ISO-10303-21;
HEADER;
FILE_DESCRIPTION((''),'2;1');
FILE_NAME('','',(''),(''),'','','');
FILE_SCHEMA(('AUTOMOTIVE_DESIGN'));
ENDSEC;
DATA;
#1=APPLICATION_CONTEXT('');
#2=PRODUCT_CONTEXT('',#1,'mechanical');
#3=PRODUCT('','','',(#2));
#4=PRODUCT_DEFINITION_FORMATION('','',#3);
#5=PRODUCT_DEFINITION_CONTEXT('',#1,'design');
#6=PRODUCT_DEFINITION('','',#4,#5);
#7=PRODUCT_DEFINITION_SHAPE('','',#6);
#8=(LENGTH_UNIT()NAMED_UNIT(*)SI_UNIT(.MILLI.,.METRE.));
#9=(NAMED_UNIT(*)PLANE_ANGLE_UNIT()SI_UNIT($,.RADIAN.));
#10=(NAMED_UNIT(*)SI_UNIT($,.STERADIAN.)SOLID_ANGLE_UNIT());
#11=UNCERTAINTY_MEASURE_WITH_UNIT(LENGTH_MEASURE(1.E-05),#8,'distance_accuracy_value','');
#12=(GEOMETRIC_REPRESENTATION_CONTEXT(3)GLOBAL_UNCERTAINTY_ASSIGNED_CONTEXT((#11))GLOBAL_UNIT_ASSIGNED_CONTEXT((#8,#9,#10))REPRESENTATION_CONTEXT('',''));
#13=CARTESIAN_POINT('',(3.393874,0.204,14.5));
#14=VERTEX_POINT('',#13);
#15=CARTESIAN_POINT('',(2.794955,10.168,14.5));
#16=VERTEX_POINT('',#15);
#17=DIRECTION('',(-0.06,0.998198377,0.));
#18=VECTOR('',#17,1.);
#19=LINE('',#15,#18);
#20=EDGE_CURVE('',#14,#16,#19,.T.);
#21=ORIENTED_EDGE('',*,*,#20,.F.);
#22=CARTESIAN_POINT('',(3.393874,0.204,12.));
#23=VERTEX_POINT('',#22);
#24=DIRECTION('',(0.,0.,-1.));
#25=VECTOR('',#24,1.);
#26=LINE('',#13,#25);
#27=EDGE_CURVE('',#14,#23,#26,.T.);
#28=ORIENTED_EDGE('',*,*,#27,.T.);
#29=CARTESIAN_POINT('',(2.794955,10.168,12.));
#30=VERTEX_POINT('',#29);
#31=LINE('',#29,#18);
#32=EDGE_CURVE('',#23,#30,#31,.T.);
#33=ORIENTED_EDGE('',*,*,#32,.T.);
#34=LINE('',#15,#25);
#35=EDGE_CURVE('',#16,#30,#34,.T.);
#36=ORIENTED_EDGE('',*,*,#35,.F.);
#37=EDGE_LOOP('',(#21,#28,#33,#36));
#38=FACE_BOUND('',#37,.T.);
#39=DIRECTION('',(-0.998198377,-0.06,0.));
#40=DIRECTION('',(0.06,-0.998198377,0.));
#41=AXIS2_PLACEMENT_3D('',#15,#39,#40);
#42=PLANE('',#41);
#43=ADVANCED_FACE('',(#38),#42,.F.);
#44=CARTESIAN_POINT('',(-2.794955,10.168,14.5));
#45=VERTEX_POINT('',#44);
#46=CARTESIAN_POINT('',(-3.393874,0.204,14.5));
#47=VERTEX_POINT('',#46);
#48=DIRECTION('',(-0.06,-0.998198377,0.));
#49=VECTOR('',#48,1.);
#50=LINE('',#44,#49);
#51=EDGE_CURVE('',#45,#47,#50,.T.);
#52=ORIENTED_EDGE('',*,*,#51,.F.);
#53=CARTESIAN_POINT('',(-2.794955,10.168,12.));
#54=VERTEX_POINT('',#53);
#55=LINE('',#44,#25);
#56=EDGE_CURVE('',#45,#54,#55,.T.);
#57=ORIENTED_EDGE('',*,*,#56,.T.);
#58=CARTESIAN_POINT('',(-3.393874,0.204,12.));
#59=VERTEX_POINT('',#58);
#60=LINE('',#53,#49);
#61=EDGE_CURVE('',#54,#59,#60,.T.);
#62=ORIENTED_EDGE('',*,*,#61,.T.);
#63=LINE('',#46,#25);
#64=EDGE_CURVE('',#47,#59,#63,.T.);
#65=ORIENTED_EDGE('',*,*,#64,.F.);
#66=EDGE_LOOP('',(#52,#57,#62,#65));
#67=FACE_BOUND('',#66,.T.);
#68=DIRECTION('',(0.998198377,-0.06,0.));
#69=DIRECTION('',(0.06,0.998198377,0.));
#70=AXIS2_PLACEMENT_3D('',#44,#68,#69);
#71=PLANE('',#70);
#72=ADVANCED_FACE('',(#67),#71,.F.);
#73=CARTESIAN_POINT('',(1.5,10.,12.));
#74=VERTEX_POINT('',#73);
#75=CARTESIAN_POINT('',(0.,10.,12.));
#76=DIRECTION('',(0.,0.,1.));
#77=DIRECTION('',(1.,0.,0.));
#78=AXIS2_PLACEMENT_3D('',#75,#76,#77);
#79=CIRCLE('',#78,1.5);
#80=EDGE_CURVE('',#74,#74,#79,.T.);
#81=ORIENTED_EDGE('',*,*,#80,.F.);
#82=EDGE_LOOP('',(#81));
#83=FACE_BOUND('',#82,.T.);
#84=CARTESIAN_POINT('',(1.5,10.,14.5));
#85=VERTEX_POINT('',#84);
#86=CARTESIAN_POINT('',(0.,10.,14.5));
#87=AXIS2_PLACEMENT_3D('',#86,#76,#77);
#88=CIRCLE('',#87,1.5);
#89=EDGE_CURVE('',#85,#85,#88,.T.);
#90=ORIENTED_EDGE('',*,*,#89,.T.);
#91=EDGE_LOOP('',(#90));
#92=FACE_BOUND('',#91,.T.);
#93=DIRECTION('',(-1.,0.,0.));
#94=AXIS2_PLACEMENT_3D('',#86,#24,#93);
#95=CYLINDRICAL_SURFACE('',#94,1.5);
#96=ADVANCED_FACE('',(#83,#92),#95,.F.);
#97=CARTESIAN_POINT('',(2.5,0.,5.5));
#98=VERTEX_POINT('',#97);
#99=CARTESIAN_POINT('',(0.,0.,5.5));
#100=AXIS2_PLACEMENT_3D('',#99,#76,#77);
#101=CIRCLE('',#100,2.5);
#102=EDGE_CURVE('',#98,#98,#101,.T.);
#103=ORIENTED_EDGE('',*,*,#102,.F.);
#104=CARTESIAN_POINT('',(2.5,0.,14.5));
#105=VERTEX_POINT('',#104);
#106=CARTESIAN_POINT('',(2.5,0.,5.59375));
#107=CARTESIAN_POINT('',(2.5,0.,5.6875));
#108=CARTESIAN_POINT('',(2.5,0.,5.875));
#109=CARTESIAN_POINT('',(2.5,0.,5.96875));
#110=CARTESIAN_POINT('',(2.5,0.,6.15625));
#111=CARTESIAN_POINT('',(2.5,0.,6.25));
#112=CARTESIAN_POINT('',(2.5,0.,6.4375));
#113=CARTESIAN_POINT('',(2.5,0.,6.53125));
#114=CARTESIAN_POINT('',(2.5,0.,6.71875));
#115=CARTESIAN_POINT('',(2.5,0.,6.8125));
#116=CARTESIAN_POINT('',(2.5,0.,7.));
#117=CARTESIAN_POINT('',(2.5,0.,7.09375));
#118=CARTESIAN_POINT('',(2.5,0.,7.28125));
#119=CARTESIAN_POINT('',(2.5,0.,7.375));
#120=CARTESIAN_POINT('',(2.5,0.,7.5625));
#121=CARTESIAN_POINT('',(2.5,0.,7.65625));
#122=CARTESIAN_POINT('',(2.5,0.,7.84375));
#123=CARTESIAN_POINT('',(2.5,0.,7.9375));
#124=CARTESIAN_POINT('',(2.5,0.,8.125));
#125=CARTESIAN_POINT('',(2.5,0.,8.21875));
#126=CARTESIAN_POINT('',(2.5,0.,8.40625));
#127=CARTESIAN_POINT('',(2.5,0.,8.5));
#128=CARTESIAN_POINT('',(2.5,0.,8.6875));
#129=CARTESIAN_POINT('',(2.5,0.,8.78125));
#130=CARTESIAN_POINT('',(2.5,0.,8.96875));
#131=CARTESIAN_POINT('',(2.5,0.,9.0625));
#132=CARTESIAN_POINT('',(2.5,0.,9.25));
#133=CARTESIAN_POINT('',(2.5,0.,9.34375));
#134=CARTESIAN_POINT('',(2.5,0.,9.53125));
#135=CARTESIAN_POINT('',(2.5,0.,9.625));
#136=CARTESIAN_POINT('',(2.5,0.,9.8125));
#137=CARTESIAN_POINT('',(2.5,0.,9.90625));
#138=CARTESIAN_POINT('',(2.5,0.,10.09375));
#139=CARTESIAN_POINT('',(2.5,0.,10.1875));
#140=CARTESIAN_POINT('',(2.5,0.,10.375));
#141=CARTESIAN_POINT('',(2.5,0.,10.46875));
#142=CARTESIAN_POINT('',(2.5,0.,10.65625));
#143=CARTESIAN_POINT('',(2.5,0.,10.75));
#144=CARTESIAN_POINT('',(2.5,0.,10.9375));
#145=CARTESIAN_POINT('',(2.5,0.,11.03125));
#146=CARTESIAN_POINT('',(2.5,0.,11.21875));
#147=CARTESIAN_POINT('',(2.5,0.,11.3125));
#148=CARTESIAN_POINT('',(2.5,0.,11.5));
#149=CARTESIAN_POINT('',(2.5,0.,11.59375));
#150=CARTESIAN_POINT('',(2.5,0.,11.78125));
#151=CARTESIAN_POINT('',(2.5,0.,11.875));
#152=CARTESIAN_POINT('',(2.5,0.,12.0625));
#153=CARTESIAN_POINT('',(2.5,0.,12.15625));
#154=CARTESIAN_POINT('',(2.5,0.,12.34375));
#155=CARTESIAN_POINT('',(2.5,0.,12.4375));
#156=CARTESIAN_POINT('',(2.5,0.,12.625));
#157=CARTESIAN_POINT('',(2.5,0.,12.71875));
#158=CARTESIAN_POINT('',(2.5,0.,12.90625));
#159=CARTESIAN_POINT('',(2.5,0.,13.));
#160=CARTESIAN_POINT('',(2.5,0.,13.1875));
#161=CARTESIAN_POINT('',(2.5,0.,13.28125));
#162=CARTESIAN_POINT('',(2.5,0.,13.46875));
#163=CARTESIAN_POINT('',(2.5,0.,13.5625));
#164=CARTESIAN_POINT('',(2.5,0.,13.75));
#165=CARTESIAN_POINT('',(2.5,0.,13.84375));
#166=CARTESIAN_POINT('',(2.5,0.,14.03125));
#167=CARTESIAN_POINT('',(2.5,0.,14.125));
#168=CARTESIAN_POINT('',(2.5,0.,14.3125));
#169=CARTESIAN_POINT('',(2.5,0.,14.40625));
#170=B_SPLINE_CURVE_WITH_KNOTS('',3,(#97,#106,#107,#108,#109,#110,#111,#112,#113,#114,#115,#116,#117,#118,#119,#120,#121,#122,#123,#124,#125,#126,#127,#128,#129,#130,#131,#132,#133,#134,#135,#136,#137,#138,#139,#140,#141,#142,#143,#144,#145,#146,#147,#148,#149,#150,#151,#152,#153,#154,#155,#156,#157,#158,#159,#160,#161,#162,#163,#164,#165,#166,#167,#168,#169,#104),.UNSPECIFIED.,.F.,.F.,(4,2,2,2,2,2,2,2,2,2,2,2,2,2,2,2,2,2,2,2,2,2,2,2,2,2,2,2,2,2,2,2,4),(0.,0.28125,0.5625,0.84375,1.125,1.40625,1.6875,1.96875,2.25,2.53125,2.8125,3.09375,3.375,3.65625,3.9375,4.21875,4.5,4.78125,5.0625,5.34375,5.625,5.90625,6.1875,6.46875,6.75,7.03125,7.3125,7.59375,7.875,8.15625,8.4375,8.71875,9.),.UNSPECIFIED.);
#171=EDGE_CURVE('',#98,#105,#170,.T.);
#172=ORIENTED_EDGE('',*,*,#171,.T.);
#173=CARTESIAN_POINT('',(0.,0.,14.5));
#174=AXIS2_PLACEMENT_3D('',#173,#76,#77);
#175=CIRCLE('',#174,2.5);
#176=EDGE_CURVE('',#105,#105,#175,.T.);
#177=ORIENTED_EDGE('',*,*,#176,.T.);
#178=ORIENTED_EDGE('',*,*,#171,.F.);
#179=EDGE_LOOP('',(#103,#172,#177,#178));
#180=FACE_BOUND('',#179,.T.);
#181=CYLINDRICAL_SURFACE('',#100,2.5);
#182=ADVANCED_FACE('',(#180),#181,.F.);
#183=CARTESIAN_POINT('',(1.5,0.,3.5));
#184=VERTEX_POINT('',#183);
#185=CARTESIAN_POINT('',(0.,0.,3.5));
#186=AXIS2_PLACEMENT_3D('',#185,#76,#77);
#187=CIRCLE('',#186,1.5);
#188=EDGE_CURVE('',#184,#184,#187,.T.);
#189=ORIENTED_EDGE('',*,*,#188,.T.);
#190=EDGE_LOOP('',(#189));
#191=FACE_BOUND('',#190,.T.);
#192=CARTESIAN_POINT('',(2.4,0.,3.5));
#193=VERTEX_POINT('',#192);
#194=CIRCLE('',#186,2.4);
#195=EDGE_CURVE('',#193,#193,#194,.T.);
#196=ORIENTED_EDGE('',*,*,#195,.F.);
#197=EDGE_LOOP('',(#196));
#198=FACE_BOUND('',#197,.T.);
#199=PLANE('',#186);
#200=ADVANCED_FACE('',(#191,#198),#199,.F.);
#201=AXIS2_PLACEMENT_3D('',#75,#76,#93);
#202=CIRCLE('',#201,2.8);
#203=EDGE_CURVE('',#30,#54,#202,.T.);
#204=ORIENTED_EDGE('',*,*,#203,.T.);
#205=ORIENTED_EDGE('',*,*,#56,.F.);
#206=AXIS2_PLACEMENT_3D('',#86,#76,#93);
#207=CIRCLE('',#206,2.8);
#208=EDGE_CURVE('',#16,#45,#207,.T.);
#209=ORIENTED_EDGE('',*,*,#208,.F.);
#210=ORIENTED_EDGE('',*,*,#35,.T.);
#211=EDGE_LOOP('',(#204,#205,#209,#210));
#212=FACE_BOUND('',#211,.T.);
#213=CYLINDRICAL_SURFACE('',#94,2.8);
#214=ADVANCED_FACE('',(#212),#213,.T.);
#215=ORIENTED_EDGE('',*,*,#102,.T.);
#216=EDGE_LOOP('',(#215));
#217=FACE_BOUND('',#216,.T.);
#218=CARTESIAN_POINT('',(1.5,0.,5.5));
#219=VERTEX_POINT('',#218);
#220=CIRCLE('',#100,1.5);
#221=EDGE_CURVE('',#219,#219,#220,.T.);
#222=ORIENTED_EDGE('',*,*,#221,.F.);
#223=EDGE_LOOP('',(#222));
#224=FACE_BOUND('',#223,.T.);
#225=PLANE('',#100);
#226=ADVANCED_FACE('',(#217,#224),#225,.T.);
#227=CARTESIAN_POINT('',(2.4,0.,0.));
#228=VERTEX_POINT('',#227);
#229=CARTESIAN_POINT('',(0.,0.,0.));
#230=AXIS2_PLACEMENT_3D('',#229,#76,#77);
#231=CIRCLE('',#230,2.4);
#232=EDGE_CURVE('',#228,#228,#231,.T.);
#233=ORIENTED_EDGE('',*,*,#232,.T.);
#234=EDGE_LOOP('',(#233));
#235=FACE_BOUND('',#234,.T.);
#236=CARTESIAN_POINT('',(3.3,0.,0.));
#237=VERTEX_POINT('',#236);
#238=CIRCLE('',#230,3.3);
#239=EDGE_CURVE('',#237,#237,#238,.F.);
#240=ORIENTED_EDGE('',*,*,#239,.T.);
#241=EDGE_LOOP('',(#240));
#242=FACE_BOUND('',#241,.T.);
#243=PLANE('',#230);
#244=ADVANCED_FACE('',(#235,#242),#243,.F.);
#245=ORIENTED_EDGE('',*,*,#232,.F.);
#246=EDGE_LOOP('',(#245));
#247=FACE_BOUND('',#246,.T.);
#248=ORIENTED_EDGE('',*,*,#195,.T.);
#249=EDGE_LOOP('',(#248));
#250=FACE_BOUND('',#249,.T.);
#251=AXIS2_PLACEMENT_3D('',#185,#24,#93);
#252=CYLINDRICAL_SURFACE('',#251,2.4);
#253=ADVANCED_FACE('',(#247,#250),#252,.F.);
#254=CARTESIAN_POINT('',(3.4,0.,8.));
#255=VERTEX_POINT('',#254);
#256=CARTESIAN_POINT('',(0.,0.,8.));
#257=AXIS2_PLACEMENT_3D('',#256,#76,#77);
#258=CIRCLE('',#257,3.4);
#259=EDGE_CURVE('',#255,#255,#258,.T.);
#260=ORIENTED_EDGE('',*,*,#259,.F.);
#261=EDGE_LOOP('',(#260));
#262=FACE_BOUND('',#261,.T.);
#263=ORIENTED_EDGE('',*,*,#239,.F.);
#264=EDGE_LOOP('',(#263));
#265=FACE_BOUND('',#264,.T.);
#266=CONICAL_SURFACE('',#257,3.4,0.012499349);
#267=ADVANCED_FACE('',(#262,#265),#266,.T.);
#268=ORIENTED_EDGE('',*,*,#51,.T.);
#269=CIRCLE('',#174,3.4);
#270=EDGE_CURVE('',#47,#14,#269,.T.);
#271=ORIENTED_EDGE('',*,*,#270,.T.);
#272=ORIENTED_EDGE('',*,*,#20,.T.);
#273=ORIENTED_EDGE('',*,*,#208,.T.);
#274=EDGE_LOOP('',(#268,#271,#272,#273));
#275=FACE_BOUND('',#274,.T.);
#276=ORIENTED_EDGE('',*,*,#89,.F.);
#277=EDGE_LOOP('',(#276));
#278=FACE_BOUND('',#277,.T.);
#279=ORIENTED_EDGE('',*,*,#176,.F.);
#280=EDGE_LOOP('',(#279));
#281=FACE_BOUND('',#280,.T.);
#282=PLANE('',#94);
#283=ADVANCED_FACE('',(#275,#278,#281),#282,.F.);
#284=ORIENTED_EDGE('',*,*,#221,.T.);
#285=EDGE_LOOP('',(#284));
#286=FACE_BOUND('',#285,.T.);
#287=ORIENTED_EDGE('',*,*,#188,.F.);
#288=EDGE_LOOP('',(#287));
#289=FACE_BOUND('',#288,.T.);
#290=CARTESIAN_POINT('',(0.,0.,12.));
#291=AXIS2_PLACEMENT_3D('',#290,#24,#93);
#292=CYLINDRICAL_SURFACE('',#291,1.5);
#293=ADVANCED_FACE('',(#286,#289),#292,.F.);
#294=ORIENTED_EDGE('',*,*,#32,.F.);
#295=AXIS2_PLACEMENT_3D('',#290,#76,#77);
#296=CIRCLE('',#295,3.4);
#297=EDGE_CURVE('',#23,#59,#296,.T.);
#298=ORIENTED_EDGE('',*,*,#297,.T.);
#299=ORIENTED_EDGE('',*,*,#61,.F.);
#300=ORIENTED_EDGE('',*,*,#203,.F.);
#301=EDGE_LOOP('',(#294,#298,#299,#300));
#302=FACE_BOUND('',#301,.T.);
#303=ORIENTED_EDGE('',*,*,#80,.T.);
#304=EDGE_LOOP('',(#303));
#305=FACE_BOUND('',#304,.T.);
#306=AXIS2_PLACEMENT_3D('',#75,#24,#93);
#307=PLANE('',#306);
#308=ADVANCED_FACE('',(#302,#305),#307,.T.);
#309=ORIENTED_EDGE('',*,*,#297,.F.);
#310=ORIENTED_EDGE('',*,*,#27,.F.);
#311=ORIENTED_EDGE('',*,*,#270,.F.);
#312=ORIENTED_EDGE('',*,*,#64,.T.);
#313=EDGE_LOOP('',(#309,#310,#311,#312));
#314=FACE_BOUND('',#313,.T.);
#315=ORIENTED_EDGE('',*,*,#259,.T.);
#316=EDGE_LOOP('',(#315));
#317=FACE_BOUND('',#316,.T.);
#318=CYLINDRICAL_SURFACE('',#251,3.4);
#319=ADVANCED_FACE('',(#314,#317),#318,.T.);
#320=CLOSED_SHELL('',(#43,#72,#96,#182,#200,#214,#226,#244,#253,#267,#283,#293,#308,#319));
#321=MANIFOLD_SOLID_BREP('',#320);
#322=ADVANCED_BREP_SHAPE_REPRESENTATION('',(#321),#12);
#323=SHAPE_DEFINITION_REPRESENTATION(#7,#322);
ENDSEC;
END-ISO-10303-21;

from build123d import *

# Parameters (mm, degrees)
SKETCH1_R           = 3.4
SKETCH1_R_2         = 2.4
BOSS_EXTRUDE1_DEPTH = 3.5
SKETCH2_R           = 3.4
SKETCH2_R_2         = 1.5
BOSS_EXTRUDE2_DEPTH = 8.5
CUT_EXTRUDE1_START  = -6.5
SKETCH3_R           = 2.5
SKETCH3_R_2         = 1.5
CUT_EXTRUDE1_DEPTH  = 6.5
SKETCH4_R           = 1.5
SKETCH4_R_2         = 2.5
BOSS_EXTRUDE3_DEPTH = 2.5
CHAMFER_1_SIZE      = 0.1
CHAMFER_1_SIZE2     = 8


with BuildPart() as part:
    # Sketch1 → Boss-Extrude1 (new body)
    with BuildSketch(Plane.XY):
        Circle(SKETCH1_R)
        Circle(SKETCH1_R_2, mode=Mode.SUBTRACT)
    extrude(amount=BOSS_EXTRUDE1_DEPTH)

    # Sketch2 → Boss-Extrude2 (add)
    with BuildSketch(Plane.XY.offset(3.5)):
        Circle(SKETCH2_R)
        Circle(SKETCH2_R_2, mode=Mode.SUBTRACT)
    extrude(amount=BOSS_EXTRUDE2_DEPTH)

    # Sketch3 → Cut-Extrude1 (cut)
    with BuildSketch(Plane.XY.offset(12).offset(CUT_EXTRUDE1_START)):
        Circle(SKETCH3_R)
        Circle(SKETCH3_R_2, mode=Mode.SUBTRACT)
    extrude(amount=CUT_EXTRUDE1_DEPTH, mode=Mode.SUBTRACT)

    # Sketch4 → Boss-Extrude3 (add)
    with BuildSketch(Plane.XY.offset(12)):
        with BuildLine():
            Line((-2.794955456, 10.168), (-3.393874482, 0.204))
            ThreePointArc((-3.393874482, 0.204), (0, -3.4), (3.393874482, 0.204))
            Line((3.393874482, 0.204), (2.794955456, 10.168))
            ThreePointArc((2.794955456, 10.168), (0, 12.8), (-2.794955456, 10.168))
        make_face()
        with Locations((0, 10)):
            Circle(SKETCH4_R, mode=Mode.SUBTRACT)
        Circle(SKETCH4_R_2, mode=Mode.SUBTRACT)
    extrude(amount=BOSS_EXTRUDE3_DEPTH)

    # 倒角1
    chamfer_1_edges = [part.edges().sort_by_distance(p)[0] for p in [
        (-3.4, 0, 0),
    ]]
    chamfer_1_side = [part.faces().sort_by_distance(p)[0] for p in [
        (-3.303833478, 0, 0),
    ]]
    chamfer(chamfer_1_edges, length=CHAMFER_1_SIZE, length2=CHAMFER_1_SIZE2, reference=chamfer_1_side[0])


solid = part.part
